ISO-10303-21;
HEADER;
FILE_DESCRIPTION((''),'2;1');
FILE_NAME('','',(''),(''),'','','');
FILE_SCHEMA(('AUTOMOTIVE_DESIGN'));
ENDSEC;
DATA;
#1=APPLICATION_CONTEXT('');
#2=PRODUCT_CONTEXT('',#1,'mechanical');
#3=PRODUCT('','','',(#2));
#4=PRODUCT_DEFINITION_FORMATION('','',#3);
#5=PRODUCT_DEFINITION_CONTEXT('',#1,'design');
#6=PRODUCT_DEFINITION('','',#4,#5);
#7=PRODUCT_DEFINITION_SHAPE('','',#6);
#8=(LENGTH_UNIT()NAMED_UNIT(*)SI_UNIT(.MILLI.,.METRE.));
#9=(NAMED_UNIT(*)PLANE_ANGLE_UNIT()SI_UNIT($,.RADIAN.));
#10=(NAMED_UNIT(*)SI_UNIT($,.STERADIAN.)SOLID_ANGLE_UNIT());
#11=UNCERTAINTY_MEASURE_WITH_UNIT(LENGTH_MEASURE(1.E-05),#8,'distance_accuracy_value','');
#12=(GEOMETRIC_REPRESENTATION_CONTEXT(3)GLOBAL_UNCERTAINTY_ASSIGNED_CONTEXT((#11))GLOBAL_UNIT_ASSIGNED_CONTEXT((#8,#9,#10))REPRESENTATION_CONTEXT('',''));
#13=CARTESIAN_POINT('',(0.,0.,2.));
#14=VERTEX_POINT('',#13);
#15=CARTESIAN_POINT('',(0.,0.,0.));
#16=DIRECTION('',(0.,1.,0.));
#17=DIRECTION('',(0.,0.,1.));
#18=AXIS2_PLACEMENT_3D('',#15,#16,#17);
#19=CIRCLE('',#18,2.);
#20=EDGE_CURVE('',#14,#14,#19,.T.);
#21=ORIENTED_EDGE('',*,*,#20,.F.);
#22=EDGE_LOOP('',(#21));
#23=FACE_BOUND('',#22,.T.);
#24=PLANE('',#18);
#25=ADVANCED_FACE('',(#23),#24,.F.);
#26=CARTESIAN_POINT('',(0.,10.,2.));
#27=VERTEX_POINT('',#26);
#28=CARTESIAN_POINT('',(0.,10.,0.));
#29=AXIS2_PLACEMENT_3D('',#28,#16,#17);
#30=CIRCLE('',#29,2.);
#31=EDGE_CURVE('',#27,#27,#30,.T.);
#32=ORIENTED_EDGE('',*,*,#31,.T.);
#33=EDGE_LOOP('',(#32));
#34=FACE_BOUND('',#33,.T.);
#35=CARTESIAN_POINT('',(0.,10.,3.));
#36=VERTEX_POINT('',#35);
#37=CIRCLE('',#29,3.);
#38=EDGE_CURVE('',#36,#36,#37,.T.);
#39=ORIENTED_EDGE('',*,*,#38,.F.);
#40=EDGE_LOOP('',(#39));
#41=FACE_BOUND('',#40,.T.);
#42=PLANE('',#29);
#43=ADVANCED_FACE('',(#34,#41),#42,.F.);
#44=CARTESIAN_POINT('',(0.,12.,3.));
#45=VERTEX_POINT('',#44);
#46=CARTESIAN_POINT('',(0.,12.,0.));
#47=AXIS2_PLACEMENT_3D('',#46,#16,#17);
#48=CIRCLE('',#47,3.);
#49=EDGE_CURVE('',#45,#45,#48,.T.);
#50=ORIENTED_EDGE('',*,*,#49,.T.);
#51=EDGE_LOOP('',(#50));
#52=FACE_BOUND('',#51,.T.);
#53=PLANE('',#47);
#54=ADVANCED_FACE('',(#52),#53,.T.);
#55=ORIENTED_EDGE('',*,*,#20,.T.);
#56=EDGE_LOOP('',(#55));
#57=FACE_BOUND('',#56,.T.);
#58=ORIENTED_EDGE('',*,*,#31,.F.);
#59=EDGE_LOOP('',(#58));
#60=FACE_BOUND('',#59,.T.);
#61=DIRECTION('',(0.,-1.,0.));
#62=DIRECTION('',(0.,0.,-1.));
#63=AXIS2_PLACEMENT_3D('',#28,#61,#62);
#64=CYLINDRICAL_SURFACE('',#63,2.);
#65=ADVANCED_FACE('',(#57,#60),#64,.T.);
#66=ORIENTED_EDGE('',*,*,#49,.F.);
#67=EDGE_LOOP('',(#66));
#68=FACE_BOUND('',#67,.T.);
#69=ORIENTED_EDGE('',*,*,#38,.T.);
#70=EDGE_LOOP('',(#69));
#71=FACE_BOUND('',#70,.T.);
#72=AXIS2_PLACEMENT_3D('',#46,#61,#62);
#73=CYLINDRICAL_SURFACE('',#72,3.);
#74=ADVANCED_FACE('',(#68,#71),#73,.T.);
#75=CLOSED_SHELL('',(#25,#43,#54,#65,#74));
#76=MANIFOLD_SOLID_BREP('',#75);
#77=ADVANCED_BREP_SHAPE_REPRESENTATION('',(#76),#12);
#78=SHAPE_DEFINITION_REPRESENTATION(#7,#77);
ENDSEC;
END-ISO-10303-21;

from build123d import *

# Parameters (mm, degrees)
ESQUISSE1_R      = 2
EXTRUSION1_DEPTH = 10
ESQUISSE2_R      = 3
EXTRUSION2_DEPTH = 2


with BuildPart() as part:
    # Esquisse1 → Extrusion1 (new body)
    with BuildSketch(Plane(origin=(0, 0, 0), x_dir=(1, 0, 0), z_dir=(0, 1, 0))):
        with Locations(Location((0, 0, 0), (0, 0, 270))):
            Circle(ESQUISSE1_R)
    extrude(amount=EXTRUSION1_DEPTH)

    # Esquisse2 → Extrusion2 (add)
    with BuildSketch(Plane(origin=(0, 10, 0), x_dir=(1, 0, 0), z_dir=(0, 1, 0))):
        with Locations(Location((0, 0, 0), (0, 0, 270))):
            Circle(ESQUISSE2_R)
    extrude(amount=EXTRUSION2_DEPTH)


solid = part.part
